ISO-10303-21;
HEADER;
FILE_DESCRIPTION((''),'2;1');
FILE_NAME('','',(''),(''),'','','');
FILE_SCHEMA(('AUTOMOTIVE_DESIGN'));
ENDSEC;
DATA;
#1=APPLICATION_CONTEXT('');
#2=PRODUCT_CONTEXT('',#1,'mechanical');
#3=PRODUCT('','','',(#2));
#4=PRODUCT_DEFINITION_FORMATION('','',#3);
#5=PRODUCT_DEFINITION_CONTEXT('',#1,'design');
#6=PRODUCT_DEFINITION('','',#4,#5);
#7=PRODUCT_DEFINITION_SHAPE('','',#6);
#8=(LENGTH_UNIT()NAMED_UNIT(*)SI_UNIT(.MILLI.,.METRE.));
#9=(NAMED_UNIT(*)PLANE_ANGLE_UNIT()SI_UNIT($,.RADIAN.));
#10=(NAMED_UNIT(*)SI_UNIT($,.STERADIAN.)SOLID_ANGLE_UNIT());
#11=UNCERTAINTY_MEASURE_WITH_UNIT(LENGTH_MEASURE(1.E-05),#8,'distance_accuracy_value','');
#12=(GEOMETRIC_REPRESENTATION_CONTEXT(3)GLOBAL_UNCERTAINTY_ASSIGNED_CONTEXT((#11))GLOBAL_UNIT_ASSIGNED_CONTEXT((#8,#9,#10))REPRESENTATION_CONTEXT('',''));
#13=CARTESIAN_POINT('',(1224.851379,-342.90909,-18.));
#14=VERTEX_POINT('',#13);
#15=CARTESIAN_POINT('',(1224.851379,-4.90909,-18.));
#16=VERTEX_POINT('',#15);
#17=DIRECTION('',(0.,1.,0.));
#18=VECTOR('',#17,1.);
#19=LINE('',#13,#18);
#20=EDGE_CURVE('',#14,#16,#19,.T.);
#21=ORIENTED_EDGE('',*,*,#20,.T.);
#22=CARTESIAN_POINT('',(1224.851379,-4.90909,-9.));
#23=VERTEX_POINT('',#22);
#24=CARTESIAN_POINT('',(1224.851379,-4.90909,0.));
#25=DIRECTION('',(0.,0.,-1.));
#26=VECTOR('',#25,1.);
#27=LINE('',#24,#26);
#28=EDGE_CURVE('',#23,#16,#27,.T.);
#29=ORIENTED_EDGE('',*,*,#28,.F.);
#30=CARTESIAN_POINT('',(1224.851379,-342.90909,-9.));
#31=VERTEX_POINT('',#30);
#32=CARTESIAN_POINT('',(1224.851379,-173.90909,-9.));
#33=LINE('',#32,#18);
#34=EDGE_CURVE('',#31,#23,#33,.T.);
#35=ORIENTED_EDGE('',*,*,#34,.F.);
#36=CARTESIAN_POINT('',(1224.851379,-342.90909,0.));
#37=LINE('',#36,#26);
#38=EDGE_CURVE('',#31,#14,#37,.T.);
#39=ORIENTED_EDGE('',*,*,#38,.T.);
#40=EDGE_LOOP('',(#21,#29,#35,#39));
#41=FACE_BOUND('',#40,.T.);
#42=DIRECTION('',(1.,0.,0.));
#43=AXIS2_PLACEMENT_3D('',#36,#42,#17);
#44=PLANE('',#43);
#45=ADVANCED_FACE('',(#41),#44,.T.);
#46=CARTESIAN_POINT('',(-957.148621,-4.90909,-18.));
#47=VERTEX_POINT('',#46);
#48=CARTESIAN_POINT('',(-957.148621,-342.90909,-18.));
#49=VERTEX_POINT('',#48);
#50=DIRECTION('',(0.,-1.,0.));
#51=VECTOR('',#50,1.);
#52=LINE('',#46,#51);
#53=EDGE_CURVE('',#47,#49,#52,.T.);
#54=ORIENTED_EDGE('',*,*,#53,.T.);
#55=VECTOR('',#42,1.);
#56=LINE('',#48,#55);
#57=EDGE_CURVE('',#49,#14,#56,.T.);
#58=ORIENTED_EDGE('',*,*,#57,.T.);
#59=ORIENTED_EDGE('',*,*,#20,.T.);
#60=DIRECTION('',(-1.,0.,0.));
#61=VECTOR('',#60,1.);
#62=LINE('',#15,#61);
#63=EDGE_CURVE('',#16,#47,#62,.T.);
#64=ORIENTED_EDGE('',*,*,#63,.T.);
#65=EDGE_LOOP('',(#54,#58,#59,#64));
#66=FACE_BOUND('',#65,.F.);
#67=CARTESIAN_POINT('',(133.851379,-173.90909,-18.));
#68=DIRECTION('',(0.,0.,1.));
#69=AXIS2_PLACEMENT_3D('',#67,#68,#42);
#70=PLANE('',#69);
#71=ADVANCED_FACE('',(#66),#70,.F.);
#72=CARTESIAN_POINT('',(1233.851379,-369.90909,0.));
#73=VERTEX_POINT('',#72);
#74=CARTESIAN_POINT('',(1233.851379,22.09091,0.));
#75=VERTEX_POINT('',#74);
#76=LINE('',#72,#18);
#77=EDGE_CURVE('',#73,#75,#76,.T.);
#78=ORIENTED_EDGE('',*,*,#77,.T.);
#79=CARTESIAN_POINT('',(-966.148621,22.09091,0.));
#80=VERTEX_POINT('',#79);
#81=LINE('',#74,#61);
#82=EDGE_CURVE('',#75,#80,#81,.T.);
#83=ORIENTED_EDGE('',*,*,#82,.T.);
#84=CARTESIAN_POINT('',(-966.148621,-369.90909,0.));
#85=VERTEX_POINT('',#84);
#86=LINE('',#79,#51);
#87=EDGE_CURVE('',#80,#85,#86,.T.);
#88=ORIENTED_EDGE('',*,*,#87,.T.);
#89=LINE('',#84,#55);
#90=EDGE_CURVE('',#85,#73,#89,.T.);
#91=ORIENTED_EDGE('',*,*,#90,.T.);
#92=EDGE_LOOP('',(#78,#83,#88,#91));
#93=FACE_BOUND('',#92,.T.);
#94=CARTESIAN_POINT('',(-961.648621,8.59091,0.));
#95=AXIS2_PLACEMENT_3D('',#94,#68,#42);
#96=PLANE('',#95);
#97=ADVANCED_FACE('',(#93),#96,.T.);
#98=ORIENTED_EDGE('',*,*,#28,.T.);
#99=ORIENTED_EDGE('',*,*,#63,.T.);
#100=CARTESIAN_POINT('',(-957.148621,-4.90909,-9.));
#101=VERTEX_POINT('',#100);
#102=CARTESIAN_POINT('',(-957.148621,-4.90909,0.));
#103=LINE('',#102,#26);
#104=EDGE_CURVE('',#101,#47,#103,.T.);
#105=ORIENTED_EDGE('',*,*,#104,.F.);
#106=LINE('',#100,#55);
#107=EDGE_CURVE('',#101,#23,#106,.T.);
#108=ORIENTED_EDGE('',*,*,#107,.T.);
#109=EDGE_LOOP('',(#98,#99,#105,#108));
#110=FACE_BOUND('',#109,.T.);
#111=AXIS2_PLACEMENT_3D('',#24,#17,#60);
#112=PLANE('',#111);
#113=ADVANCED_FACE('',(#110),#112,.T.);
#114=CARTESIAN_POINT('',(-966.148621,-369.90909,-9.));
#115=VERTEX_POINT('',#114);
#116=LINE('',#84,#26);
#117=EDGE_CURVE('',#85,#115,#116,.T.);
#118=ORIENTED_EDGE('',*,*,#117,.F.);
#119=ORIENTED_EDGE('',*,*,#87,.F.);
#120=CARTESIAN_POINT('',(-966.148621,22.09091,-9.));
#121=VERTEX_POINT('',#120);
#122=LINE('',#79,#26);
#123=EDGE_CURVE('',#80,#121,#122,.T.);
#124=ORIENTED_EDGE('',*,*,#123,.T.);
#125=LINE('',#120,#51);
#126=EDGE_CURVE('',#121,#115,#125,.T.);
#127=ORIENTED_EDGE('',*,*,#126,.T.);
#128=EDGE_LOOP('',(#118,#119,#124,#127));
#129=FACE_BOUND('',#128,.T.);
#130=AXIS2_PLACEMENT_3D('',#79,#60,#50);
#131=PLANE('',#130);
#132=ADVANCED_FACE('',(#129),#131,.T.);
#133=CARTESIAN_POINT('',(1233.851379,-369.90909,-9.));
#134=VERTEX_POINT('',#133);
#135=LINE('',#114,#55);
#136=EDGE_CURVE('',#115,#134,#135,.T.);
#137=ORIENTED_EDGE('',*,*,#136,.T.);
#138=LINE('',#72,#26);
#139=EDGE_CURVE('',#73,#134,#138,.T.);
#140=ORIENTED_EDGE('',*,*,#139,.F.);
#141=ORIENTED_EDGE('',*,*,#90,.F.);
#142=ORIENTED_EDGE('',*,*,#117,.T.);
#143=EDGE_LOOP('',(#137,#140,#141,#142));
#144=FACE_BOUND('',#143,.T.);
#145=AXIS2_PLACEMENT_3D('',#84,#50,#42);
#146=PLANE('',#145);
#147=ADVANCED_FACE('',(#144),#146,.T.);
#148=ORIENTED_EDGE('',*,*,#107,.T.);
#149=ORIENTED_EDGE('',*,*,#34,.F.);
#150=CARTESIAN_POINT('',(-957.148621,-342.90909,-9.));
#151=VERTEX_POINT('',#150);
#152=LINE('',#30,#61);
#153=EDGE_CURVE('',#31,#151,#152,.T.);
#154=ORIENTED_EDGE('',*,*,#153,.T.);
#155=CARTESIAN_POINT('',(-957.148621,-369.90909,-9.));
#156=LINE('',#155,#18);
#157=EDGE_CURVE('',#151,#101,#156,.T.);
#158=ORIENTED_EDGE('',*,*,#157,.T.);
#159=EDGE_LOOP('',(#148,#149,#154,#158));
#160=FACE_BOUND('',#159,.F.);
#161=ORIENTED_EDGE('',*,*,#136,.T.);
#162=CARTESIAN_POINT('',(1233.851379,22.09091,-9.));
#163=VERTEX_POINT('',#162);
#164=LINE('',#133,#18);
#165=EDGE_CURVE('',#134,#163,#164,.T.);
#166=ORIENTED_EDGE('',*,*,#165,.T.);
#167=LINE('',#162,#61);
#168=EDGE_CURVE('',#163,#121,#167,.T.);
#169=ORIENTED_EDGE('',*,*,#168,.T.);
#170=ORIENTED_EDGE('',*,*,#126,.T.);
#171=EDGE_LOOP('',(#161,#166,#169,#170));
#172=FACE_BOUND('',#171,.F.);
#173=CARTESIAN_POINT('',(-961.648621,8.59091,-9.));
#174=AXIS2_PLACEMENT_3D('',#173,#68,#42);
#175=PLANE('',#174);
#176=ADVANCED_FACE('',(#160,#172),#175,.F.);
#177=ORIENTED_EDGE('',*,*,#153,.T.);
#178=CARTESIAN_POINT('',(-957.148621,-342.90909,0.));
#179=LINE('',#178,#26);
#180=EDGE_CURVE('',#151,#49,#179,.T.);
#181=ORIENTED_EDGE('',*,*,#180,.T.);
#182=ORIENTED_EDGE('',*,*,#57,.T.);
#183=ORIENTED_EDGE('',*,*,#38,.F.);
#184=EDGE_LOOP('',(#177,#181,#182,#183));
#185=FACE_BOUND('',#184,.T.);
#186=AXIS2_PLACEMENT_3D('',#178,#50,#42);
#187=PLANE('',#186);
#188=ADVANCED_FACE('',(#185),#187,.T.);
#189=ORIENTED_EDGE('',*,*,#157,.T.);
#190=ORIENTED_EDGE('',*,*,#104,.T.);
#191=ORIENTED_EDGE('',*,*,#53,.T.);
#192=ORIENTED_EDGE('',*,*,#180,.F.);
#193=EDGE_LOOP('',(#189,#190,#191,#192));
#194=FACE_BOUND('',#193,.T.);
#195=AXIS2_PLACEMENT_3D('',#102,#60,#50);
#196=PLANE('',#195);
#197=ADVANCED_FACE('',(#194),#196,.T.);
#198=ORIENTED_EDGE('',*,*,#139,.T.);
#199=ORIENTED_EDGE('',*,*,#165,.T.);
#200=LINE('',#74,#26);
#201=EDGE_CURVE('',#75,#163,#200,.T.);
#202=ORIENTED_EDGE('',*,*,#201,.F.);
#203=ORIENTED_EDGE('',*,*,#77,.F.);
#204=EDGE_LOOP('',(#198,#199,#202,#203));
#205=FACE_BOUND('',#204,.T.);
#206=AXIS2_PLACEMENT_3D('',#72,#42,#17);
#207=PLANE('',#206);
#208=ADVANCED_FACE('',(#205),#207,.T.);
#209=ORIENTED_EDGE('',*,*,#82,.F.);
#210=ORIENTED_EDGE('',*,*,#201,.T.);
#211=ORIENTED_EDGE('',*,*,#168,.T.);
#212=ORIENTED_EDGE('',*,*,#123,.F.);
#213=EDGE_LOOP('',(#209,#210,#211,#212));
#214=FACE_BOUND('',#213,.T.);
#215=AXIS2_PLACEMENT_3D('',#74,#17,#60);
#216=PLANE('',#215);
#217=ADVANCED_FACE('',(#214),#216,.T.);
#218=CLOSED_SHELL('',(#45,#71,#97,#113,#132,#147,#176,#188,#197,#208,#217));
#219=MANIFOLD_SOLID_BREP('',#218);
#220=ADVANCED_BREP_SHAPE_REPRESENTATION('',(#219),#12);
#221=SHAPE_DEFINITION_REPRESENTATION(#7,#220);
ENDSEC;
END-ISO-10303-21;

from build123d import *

# Parameters (mm, degrees)
F0_W     = 9
F0_H     = 27
F0_H_2   = 338
F1_DEPTH = 9
F2_DEPTH = 18


with BuildPart() as f1:
    # F0 (on Top) → F1 (new body)
    with BuildSketch(Plane.XY):
        with Locations((-961.648621, 8.59091)):
            Rectangle(F0_W, F0_H)
        Polygon((133.851379, 22.09091), (-957.148621, 22.09091), (-957.148621, -4.90909), (133.851379, -4.90909), (1224.851379, -4.90909), (1224.851379, 22.09091), align=None)
        with Locations((-961.648621, -173.90909)):
            Rectangle(F0_W, F0_H_2)
        with Locations((-961.648621, -356.40909)):
            Rectangle(F0_W, F0_H)
        with Locations((1229.351379, 8.59091)):
            Rectangle(F0_W, F0_H)
        Polygon((133.851379, -342.90909), (-957.148621, -342.90909), (-957.148621, -369.90909), (133.851379, -369.90909), (1224.851379, -369.90909), (1224.851379, -342.90909), align=None)
        with Locations((1229.351379, -173.90909)):
            Rectangle(F0_W, F0_H_2)
        with Locations((1229.351379, -356.40909)):
            Rectangle(F0_W, F0_H)
    extrude(amount=-F1_DEPTH)

    # F0 (on Top) → F2 (join)
    with BuildSketch(Plane.XY):
        Polygon((133.851379, -4.90909), (-957.148621, -4.90909), (-957.148621, -342.90909), (133.851379, -342.90909), (1224.851379, -342.90909), (1224.851379, -4.90909), align=None)
    extrude(amount=-F2_DEPTH)


solid = f1.part
